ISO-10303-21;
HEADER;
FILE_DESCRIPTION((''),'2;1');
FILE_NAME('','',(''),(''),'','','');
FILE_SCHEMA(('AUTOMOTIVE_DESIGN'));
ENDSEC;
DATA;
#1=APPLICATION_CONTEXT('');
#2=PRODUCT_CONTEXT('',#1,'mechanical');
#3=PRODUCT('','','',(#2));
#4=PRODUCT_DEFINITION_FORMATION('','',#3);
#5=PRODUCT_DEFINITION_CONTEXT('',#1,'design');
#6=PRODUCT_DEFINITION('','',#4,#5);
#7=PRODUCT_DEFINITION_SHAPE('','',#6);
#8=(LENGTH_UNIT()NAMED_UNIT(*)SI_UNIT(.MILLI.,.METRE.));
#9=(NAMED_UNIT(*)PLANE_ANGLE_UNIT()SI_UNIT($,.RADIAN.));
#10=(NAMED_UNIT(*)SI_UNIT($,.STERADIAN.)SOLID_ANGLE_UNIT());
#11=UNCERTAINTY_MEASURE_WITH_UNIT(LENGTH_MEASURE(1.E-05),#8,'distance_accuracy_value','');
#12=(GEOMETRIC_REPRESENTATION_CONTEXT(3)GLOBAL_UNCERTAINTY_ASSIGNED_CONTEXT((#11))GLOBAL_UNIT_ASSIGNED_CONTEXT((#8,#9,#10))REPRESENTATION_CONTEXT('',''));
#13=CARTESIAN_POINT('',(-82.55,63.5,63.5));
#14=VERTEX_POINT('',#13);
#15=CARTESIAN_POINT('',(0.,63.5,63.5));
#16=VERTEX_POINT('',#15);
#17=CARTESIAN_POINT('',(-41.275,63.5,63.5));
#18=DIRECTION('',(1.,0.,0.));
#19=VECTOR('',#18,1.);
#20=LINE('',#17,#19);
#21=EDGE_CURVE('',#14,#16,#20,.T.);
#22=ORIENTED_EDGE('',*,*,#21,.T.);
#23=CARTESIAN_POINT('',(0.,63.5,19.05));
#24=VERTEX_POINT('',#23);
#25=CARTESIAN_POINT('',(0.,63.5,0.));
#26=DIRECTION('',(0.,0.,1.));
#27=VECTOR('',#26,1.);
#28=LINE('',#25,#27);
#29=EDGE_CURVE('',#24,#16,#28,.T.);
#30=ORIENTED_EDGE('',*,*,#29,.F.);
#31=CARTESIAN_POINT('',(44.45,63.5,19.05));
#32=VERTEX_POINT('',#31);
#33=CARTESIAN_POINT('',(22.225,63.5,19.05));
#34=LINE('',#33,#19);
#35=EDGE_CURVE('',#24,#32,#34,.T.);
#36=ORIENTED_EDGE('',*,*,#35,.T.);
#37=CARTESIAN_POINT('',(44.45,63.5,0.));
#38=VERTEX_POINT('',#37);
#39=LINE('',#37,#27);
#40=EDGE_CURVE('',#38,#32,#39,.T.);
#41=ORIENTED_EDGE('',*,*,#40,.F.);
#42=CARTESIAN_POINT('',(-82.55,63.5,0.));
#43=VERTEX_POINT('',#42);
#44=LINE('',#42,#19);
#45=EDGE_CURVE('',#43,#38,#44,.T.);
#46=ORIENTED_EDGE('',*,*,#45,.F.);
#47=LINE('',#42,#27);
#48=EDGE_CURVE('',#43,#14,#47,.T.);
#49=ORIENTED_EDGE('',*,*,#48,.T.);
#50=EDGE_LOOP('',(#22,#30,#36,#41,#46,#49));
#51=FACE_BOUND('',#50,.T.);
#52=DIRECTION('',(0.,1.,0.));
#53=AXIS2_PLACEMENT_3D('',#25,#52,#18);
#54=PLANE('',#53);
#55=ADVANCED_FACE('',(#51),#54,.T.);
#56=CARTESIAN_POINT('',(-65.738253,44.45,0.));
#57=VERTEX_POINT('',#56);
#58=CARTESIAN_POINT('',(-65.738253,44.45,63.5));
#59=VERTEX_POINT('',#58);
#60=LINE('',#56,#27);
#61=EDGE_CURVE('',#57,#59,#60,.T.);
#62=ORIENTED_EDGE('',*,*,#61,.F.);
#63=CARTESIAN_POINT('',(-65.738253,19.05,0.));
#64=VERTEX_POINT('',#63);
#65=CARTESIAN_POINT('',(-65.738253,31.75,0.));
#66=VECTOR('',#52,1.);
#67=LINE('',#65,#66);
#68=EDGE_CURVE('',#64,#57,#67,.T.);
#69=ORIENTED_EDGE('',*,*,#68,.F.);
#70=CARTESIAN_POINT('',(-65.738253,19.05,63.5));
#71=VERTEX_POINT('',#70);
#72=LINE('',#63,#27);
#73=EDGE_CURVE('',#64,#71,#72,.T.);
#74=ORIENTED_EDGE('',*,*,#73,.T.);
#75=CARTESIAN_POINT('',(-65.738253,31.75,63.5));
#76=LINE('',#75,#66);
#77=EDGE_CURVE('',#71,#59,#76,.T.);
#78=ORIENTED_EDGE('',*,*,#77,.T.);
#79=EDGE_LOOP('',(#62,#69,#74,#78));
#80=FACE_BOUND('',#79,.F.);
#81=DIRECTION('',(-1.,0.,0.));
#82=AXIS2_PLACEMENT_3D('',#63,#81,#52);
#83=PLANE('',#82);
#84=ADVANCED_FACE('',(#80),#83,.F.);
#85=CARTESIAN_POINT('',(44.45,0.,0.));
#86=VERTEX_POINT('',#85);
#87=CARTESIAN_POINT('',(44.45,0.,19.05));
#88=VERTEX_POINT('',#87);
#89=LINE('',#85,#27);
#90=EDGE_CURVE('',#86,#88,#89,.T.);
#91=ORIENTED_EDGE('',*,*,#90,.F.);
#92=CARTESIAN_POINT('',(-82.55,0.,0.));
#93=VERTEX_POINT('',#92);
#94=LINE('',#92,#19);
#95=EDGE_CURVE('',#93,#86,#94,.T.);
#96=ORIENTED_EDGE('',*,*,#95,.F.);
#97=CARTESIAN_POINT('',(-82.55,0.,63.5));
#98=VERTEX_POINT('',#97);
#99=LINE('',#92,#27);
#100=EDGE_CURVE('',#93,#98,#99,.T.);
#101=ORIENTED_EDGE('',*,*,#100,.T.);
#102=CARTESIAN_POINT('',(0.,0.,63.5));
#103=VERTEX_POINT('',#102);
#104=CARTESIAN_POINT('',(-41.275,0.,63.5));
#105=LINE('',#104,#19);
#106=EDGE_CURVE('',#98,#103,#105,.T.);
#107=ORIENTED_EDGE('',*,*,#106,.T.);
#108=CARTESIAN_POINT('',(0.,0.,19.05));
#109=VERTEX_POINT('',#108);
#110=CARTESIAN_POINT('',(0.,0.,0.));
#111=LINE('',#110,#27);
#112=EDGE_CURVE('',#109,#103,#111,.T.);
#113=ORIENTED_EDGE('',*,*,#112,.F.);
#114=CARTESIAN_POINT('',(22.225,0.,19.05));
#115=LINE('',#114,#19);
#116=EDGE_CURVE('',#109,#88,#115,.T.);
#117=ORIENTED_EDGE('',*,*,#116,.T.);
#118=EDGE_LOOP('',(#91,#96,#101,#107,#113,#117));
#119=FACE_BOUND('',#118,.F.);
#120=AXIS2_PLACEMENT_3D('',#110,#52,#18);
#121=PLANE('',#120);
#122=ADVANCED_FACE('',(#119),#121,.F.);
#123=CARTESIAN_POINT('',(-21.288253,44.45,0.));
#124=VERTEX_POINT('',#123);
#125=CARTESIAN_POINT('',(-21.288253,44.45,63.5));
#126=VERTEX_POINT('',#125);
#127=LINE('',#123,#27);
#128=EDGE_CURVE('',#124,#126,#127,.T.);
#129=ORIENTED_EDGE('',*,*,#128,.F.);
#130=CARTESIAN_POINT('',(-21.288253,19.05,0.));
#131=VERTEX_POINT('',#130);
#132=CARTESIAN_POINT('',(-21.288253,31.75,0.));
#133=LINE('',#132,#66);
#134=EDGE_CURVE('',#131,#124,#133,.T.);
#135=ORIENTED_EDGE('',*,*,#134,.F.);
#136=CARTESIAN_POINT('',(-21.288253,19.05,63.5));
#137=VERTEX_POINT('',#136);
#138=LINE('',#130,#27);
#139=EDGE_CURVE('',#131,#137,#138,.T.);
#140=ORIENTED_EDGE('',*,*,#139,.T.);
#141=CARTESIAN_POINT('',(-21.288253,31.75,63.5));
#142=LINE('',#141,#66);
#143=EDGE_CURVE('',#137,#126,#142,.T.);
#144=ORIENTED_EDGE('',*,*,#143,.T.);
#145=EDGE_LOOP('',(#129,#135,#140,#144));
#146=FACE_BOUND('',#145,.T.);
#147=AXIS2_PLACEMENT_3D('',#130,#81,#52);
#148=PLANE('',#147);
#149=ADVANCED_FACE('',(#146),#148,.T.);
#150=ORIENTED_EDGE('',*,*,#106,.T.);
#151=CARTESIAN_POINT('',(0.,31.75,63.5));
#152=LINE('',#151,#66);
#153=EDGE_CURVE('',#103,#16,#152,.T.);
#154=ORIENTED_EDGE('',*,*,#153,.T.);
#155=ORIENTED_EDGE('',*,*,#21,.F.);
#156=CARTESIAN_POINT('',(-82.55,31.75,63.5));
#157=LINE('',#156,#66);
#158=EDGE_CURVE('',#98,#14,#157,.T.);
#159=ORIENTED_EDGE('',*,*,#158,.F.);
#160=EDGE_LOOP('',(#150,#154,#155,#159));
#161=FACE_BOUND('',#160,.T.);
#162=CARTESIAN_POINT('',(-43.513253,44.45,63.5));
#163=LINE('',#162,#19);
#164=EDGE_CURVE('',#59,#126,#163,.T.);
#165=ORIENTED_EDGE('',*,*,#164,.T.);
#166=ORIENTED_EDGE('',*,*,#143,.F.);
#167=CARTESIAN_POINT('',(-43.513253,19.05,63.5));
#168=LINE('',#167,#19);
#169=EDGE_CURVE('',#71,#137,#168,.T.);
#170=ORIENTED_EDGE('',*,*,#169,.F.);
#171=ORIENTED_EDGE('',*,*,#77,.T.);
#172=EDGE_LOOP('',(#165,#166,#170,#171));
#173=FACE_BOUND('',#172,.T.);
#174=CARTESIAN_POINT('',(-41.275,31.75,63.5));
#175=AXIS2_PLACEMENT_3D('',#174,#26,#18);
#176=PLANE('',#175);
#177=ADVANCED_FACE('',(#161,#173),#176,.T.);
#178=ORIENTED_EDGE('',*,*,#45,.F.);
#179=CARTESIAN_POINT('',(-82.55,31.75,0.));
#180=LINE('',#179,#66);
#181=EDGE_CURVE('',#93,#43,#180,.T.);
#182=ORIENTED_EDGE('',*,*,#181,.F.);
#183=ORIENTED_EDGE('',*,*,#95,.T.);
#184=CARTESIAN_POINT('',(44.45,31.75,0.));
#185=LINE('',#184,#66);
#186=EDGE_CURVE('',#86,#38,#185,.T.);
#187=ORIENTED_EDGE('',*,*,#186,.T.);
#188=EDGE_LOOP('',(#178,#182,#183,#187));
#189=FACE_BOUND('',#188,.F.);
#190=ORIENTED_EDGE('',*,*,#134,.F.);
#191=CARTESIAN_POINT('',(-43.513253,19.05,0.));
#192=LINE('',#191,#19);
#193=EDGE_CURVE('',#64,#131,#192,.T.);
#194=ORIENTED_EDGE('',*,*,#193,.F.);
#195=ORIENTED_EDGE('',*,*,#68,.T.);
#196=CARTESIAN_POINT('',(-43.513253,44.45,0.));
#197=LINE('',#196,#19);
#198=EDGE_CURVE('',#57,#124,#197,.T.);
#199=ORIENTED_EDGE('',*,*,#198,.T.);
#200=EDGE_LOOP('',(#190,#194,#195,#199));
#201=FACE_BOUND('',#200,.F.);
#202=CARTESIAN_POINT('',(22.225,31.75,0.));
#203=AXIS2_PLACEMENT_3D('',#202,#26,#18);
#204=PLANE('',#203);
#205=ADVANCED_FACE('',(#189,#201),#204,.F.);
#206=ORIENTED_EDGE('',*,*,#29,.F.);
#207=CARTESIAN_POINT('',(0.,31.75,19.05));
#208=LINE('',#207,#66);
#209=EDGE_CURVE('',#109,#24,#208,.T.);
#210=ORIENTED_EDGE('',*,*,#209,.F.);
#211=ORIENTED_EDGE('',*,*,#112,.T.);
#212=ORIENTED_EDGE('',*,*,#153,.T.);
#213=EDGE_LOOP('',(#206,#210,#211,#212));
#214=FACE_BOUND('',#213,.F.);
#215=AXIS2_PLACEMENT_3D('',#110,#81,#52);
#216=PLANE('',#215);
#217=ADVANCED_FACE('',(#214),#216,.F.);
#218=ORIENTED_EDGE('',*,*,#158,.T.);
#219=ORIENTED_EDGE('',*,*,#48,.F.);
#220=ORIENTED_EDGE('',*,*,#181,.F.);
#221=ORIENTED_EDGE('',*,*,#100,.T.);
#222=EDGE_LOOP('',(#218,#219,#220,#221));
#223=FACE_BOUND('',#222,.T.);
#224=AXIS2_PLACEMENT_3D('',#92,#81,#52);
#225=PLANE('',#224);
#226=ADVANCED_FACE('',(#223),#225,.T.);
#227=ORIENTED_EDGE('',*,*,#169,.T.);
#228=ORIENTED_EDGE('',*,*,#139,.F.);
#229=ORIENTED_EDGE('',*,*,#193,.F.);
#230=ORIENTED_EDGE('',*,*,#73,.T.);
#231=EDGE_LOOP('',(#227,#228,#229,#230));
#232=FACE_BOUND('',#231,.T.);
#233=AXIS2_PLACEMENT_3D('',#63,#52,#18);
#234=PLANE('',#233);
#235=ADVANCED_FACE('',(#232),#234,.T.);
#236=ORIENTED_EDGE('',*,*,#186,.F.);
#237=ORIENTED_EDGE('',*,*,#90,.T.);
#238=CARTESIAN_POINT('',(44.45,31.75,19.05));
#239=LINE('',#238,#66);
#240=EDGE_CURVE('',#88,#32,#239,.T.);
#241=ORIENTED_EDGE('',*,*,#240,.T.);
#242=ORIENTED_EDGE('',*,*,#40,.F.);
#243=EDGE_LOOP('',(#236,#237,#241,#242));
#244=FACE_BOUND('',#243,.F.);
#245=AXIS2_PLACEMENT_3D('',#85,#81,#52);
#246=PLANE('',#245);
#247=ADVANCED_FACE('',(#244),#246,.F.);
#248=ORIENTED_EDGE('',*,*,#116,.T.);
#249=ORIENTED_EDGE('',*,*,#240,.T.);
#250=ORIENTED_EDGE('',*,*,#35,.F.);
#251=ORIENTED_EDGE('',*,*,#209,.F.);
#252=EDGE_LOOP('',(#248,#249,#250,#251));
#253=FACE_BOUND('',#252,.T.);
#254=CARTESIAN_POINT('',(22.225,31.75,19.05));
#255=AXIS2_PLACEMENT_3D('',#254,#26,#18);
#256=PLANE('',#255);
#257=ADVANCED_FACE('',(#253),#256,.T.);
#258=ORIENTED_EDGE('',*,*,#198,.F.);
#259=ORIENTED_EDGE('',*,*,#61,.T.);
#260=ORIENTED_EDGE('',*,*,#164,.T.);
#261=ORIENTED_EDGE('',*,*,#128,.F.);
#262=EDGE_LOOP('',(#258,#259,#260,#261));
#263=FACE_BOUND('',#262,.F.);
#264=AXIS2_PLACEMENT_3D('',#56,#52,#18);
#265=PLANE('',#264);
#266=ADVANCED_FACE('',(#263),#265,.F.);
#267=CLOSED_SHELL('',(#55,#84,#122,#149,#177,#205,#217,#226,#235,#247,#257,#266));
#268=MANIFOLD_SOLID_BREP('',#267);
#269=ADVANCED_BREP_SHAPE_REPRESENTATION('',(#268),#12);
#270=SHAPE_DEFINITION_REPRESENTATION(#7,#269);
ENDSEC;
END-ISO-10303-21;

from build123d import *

# Parameters (mm, degrees)
F0_W     = 82.55
F0_H     = 63.5
F0_W_2   = 44.45
F0_H_2   = 25.4
F2_DEPTH = 63.5
F1_W     = 44.45
F1_H     = 63.5
F3_DEPTH = 19.05


with BuildPart() as f2:
    # F0 (on Top) → F2 (new body)
    with BuildSketch(Plane.XY):
        with Locations((-41.275, 31.75)):
            Rectangle(F0_W, F0_H)
        with Locations((-43.513253, 31.75)):
            Rectangle(F0_W_2, F0_H_2, mode=Mode.SUBTRACT)
    extrude(amount=F2_DEPTH)

    # F1 (on Top) → F3 (join)
    with BuildSketch(Plane.XY):
        with Locations((22.225, 31.75)):
            Rectangle(F1_W, F1_H)
    extrude(amount=F3_DEPTH)


solid = f2.part
